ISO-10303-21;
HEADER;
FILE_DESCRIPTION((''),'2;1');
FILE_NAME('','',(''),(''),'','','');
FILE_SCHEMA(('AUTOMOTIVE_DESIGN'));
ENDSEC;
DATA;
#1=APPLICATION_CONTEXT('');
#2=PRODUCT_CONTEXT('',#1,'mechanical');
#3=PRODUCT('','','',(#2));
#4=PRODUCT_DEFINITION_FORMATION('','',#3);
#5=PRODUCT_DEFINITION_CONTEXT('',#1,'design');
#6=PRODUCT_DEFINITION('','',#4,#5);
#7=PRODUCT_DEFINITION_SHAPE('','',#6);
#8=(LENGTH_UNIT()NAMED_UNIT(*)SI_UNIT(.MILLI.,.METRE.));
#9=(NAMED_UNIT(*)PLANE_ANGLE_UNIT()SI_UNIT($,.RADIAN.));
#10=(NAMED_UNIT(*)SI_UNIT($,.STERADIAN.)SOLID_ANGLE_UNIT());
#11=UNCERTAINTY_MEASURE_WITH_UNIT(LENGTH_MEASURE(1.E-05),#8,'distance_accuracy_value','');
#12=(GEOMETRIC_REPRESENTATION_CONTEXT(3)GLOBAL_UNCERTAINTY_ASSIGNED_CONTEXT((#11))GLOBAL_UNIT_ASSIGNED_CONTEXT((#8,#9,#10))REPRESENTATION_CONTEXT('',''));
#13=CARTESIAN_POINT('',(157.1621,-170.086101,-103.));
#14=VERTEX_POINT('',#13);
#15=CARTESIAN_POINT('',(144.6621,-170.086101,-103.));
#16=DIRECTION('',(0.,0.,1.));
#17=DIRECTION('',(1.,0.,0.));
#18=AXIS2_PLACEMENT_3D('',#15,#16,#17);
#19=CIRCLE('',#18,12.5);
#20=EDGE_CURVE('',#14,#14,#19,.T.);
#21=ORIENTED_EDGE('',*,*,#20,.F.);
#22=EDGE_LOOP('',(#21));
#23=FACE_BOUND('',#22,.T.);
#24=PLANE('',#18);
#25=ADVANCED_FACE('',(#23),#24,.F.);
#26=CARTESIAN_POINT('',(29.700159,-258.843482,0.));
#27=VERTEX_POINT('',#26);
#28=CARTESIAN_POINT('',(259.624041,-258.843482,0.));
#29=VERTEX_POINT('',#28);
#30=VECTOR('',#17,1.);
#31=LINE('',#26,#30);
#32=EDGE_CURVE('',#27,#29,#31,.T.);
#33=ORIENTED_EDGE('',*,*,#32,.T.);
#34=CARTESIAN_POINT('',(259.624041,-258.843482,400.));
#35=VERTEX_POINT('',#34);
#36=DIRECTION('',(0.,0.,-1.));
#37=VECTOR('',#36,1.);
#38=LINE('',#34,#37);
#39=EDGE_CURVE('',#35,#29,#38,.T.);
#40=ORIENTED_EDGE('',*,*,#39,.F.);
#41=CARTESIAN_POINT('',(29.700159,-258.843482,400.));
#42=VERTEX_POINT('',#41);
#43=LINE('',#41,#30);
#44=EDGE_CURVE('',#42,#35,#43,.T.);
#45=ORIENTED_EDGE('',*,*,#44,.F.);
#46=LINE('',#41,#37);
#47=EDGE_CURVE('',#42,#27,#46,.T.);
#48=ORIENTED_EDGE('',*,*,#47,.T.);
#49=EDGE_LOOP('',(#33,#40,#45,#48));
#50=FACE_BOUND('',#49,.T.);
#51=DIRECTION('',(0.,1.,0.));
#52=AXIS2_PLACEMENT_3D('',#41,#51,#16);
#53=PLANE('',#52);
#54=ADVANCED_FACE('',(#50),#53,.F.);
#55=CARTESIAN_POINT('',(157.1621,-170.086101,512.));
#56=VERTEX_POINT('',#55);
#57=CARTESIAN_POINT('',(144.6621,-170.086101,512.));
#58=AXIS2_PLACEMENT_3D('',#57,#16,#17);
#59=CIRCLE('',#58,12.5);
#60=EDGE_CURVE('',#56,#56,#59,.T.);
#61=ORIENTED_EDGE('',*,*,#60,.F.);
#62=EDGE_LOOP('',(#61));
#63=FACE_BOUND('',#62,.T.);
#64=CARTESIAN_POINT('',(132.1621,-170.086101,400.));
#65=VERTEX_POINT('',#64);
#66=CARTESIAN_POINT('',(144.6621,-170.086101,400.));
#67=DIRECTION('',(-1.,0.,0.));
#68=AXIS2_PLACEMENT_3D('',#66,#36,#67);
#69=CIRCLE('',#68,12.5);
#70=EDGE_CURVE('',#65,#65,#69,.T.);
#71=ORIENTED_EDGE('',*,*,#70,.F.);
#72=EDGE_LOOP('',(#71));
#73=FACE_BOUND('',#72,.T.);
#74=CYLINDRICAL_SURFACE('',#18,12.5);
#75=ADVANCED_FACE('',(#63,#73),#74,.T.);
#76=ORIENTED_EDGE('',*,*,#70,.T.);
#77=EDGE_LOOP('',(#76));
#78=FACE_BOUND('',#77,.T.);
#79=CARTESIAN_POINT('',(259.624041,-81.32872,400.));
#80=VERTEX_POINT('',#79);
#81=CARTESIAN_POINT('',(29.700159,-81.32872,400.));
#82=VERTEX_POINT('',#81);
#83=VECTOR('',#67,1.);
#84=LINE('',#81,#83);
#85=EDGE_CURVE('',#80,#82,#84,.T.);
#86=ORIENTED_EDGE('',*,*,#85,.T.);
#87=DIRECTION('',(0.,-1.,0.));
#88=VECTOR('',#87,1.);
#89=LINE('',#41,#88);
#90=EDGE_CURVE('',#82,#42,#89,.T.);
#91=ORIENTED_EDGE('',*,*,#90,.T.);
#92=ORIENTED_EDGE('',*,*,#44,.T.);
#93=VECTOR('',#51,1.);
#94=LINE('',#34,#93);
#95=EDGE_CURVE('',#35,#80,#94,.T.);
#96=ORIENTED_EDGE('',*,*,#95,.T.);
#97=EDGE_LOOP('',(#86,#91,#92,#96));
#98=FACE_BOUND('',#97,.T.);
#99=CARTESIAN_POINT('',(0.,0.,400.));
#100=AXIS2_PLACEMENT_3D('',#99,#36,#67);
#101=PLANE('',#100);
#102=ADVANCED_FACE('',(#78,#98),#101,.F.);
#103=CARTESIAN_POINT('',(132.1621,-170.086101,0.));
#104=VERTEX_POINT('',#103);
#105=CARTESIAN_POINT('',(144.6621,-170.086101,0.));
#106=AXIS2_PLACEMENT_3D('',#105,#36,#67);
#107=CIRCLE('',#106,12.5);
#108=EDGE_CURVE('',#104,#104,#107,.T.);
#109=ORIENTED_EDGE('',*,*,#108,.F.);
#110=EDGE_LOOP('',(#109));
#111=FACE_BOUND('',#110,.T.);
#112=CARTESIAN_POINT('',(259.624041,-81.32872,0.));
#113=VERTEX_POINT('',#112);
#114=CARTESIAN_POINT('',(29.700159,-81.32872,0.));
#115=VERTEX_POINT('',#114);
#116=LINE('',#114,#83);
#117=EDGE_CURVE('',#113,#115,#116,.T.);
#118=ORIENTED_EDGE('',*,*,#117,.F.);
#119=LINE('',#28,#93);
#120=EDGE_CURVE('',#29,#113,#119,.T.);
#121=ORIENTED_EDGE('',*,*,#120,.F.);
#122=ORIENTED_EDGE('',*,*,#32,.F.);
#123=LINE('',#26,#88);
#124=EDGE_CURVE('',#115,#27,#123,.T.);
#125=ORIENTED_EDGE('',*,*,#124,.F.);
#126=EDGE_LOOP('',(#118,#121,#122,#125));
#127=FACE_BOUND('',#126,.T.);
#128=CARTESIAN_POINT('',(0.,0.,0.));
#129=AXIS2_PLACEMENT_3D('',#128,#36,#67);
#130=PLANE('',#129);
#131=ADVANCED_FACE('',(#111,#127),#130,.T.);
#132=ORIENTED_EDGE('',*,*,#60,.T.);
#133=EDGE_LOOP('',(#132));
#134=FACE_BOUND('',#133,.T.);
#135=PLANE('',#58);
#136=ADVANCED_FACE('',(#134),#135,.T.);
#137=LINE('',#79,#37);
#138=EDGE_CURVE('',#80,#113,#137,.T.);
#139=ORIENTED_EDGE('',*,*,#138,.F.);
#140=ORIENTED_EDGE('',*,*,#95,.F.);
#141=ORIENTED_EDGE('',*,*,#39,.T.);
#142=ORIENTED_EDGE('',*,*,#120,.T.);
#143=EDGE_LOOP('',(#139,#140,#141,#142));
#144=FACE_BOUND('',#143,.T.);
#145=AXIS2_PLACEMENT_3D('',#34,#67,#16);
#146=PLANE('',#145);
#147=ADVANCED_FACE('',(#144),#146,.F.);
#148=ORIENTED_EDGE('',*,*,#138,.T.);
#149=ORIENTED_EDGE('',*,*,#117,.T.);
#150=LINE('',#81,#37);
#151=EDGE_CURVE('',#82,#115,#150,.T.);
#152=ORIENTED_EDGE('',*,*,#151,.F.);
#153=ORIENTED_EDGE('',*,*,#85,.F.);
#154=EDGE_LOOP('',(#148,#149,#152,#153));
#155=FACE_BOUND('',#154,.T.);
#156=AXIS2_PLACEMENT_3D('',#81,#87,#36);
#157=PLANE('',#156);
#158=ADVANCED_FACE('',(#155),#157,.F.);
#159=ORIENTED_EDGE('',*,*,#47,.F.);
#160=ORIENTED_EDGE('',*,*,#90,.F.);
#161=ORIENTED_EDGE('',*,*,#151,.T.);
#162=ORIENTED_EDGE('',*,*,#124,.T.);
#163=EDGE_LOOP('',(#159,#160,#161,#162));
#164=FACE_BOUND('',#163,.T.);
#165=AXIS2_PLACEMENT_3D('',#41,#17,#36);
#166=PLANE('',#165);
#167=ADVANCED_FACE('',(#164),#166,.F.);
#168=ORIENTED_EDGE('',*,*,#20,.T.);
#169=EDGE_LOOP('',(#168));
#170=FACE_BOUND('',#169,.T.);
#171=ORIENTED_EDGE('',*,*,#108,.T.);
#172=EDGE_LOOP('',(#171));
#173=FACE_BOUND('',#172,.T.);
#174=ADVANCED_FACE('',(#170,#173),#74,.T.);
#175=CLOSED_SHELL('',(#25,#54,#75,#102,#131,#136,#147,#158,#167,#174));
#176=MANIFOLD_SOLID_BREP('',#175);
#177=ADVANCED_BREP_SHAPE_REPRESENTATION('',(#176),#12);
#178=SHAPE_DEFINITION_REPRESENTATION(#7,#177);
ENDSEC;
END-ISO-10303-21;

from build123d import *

# Parameters (mm, degrees)
SKETCH1_W                = 229.923881951
SKETCH1_H                = 177.514761801
BOSS_EXTRUDE1_DEPTH      = 400
BOSS_EXTRUDE2_DEPTH      = 112
BOSS_EXTRUDE2_DEPTH_BACK = 503
SKETCH2_R                = 12.5


with BuildPart() as part:
    # Sketch1 → Boss-Extrude1 (new body)
    with BuildSketch(Plane.XY):
        with Locations((144.662099629, -170.086101065)):
            Rectangle(SKETCH1_W, SKETCH1_H)
    extrude(amount=BOSS_EXTRUDE1_DEPTH)

    # Sketch2 → Boss-Extrude2 (add, two sides: drawn at the far end of the back side and taken through both)
    with BuildSketch(Plane.XY.offset(400).offset(-BOSS_EXTRUDE2_DEPTH_BACK)):
        with Locations((144.662099628, -170.086101065)):
            Circle(SKETCH2_R)
    extrude(amount=BOSS_EXTRUDE2_DEPTH + BOSS_EXTRUDE2_DEPTH_BACK)


solid = part.part
